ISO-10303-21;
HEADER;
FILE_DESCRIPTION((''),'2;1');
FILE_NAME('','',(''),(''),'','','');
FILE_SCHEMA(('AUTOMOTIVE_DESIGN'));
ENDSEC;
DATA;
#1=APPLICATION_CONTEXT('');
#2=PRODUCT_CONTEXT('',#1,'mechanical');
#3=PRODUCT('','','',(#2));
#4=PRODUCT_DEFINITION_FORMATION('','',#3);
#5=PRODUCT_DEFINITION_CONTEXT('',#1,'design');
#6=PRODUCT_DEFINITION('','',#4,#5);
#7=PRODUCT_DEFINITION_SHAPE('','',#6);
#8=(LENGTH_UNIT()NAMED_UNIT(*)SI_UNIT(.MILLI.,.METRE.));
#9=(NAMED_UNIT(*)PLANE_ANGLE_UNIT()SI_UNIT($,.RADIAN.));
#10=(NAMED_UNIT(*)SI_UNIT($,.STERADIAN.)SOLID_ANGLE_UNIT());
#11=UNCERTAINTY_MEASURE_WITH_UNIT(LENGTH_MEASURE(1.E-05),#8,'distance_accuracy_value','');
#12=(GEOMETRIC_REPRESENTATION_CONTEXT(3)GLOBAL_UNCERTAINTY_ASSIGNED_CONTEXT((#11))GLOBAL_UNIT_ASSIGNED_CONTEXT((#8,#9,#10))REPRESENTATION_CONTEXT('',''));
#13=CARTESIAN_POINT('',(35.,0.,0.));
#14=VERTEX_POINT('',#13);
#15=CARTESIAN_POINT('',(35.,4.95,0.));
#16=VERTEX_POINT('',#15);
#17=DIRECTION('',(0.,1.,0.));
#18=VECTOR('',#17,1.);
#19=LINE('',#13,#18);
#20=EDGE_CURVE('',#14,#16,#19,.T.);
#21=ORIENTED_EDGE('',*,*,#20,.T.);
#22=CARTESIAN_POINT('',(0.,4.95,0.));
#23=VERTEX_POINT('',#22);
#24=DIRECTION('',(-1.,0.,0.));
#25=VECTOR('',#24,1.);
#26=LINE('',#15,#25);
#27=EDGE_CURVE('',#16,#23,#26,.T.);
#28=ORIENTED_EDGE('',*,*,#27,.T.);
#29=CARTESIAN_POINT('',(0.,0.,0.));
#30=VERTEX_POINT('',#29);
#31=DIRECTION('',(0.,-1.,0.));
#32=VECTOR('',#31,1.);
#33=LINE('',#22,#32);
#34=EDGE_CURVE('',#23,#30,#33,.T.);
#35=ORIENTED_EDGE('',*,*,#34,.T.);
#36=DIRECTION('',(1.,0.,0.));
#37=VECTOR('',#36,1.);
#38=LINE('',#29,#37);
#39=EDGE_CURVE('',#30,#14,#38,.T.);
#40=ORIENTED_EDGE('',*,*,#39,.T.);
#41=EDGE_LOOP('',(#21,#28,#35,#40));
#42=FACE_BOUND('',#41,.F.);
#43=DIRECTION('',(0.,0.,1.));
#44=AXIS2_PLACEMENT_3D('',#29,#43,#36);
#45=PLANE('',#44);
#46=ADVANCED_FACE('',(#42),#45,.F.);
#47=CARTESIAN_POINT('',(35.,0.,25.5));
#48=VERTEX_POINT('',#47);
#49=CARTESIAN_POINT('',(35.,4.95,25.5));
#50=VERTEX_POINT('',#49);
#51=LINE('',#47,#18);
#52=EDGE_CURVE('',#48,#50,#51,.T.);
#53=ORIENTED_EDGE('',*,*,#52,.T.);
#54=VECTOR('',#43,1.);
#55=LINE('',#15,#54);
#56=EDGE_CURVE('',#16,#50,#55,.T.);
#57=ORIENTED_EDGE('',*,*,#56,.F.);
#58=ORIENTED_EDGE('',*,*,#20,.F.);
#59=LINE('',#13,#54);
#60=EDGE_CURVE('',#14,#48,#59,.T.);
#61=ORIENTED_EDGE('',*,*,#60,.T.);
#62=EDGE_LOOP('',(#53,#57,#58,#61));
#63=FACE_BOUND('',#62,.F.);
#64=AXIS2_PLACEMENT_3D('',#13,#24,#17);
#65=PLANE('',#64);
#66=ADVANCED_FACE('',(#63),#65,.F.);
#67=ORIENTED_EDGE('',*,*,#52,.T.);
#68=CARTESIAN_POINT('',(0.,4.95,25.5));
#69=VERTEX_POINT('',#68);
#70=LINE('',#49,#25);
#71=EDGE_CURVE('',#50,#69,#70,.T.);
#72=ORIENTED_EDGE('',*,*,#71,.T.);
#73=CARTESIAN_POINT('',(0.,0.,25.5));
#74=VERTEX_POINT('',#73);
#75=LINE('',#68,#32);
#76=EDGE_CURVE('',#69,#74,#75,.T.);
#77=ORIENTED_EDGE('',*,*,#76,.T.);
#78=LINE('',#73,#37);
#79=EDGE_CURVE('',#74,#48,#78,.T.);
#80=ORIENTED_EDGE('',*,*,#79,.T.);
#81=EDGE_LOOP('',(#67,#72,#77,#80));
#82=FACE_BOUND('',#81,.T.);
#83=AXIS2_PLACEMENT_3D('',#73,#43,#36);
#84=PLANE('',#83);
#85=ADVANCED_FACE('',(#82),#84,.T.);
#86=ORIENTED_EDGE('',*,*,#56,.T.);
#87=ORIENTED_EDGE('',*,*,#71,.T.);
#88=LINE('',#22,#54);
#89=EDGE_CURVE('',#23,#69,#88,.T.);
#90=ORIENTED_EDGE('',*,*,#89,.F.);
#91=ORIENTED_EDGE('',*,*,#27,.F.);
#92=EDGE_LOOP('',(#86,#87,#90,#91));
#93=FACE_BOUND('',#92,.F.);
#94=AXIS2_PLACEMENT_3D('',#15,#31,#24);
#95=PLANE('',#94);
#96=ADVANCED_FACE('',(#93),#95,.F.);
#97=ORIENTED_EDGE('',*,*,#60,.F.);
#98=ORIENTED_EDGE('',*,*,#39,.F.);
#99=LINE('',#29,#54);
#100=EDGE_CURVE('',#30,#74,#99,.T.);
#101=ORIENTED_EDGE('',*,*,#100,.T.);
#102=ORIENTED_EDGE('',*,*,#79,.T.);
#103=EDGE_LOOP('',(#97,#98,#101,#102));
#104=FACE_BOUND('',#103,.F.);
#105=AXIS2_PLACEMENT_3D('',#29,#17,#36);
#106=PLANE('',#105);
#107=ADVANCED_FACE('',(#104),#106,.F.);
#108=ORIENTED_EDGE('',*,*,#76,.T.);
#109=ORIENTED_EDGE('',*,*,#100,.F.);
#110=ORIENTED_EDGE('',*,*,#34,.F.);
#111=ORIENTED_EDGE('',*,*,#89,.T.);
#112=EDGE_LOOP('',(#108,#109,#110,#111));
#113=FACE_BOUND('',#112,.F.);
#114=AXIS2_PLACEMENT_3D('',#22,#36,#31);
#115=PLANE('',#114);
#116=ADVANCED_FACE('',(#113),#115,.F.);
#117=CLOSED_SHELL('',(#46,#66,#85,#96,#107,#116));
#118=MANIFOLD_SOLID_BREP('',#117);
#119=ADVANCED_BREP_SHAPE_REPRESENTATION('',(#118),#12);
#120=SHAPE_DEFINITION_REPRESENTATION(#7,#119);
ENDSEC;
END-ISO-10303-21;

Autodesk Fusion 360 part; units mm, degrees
sketch "Sketch1" plane through (0, 0, 0) normal (0, 0, 1) x (1, 0, 0)
  line L0 (0, 0) -> (35, 0)
  line L1 (35, 0) -> (35, 4.95)
  line L2 (35, 4.95) -> (0, 4.95)
  line L3 (0, 4.95) -> (0, 0)
  dimension "d1" = 35
  dimension "d2" = 4.95
extrude "Extrude1" add sketch "Sketch1" along normal blind 25.5
